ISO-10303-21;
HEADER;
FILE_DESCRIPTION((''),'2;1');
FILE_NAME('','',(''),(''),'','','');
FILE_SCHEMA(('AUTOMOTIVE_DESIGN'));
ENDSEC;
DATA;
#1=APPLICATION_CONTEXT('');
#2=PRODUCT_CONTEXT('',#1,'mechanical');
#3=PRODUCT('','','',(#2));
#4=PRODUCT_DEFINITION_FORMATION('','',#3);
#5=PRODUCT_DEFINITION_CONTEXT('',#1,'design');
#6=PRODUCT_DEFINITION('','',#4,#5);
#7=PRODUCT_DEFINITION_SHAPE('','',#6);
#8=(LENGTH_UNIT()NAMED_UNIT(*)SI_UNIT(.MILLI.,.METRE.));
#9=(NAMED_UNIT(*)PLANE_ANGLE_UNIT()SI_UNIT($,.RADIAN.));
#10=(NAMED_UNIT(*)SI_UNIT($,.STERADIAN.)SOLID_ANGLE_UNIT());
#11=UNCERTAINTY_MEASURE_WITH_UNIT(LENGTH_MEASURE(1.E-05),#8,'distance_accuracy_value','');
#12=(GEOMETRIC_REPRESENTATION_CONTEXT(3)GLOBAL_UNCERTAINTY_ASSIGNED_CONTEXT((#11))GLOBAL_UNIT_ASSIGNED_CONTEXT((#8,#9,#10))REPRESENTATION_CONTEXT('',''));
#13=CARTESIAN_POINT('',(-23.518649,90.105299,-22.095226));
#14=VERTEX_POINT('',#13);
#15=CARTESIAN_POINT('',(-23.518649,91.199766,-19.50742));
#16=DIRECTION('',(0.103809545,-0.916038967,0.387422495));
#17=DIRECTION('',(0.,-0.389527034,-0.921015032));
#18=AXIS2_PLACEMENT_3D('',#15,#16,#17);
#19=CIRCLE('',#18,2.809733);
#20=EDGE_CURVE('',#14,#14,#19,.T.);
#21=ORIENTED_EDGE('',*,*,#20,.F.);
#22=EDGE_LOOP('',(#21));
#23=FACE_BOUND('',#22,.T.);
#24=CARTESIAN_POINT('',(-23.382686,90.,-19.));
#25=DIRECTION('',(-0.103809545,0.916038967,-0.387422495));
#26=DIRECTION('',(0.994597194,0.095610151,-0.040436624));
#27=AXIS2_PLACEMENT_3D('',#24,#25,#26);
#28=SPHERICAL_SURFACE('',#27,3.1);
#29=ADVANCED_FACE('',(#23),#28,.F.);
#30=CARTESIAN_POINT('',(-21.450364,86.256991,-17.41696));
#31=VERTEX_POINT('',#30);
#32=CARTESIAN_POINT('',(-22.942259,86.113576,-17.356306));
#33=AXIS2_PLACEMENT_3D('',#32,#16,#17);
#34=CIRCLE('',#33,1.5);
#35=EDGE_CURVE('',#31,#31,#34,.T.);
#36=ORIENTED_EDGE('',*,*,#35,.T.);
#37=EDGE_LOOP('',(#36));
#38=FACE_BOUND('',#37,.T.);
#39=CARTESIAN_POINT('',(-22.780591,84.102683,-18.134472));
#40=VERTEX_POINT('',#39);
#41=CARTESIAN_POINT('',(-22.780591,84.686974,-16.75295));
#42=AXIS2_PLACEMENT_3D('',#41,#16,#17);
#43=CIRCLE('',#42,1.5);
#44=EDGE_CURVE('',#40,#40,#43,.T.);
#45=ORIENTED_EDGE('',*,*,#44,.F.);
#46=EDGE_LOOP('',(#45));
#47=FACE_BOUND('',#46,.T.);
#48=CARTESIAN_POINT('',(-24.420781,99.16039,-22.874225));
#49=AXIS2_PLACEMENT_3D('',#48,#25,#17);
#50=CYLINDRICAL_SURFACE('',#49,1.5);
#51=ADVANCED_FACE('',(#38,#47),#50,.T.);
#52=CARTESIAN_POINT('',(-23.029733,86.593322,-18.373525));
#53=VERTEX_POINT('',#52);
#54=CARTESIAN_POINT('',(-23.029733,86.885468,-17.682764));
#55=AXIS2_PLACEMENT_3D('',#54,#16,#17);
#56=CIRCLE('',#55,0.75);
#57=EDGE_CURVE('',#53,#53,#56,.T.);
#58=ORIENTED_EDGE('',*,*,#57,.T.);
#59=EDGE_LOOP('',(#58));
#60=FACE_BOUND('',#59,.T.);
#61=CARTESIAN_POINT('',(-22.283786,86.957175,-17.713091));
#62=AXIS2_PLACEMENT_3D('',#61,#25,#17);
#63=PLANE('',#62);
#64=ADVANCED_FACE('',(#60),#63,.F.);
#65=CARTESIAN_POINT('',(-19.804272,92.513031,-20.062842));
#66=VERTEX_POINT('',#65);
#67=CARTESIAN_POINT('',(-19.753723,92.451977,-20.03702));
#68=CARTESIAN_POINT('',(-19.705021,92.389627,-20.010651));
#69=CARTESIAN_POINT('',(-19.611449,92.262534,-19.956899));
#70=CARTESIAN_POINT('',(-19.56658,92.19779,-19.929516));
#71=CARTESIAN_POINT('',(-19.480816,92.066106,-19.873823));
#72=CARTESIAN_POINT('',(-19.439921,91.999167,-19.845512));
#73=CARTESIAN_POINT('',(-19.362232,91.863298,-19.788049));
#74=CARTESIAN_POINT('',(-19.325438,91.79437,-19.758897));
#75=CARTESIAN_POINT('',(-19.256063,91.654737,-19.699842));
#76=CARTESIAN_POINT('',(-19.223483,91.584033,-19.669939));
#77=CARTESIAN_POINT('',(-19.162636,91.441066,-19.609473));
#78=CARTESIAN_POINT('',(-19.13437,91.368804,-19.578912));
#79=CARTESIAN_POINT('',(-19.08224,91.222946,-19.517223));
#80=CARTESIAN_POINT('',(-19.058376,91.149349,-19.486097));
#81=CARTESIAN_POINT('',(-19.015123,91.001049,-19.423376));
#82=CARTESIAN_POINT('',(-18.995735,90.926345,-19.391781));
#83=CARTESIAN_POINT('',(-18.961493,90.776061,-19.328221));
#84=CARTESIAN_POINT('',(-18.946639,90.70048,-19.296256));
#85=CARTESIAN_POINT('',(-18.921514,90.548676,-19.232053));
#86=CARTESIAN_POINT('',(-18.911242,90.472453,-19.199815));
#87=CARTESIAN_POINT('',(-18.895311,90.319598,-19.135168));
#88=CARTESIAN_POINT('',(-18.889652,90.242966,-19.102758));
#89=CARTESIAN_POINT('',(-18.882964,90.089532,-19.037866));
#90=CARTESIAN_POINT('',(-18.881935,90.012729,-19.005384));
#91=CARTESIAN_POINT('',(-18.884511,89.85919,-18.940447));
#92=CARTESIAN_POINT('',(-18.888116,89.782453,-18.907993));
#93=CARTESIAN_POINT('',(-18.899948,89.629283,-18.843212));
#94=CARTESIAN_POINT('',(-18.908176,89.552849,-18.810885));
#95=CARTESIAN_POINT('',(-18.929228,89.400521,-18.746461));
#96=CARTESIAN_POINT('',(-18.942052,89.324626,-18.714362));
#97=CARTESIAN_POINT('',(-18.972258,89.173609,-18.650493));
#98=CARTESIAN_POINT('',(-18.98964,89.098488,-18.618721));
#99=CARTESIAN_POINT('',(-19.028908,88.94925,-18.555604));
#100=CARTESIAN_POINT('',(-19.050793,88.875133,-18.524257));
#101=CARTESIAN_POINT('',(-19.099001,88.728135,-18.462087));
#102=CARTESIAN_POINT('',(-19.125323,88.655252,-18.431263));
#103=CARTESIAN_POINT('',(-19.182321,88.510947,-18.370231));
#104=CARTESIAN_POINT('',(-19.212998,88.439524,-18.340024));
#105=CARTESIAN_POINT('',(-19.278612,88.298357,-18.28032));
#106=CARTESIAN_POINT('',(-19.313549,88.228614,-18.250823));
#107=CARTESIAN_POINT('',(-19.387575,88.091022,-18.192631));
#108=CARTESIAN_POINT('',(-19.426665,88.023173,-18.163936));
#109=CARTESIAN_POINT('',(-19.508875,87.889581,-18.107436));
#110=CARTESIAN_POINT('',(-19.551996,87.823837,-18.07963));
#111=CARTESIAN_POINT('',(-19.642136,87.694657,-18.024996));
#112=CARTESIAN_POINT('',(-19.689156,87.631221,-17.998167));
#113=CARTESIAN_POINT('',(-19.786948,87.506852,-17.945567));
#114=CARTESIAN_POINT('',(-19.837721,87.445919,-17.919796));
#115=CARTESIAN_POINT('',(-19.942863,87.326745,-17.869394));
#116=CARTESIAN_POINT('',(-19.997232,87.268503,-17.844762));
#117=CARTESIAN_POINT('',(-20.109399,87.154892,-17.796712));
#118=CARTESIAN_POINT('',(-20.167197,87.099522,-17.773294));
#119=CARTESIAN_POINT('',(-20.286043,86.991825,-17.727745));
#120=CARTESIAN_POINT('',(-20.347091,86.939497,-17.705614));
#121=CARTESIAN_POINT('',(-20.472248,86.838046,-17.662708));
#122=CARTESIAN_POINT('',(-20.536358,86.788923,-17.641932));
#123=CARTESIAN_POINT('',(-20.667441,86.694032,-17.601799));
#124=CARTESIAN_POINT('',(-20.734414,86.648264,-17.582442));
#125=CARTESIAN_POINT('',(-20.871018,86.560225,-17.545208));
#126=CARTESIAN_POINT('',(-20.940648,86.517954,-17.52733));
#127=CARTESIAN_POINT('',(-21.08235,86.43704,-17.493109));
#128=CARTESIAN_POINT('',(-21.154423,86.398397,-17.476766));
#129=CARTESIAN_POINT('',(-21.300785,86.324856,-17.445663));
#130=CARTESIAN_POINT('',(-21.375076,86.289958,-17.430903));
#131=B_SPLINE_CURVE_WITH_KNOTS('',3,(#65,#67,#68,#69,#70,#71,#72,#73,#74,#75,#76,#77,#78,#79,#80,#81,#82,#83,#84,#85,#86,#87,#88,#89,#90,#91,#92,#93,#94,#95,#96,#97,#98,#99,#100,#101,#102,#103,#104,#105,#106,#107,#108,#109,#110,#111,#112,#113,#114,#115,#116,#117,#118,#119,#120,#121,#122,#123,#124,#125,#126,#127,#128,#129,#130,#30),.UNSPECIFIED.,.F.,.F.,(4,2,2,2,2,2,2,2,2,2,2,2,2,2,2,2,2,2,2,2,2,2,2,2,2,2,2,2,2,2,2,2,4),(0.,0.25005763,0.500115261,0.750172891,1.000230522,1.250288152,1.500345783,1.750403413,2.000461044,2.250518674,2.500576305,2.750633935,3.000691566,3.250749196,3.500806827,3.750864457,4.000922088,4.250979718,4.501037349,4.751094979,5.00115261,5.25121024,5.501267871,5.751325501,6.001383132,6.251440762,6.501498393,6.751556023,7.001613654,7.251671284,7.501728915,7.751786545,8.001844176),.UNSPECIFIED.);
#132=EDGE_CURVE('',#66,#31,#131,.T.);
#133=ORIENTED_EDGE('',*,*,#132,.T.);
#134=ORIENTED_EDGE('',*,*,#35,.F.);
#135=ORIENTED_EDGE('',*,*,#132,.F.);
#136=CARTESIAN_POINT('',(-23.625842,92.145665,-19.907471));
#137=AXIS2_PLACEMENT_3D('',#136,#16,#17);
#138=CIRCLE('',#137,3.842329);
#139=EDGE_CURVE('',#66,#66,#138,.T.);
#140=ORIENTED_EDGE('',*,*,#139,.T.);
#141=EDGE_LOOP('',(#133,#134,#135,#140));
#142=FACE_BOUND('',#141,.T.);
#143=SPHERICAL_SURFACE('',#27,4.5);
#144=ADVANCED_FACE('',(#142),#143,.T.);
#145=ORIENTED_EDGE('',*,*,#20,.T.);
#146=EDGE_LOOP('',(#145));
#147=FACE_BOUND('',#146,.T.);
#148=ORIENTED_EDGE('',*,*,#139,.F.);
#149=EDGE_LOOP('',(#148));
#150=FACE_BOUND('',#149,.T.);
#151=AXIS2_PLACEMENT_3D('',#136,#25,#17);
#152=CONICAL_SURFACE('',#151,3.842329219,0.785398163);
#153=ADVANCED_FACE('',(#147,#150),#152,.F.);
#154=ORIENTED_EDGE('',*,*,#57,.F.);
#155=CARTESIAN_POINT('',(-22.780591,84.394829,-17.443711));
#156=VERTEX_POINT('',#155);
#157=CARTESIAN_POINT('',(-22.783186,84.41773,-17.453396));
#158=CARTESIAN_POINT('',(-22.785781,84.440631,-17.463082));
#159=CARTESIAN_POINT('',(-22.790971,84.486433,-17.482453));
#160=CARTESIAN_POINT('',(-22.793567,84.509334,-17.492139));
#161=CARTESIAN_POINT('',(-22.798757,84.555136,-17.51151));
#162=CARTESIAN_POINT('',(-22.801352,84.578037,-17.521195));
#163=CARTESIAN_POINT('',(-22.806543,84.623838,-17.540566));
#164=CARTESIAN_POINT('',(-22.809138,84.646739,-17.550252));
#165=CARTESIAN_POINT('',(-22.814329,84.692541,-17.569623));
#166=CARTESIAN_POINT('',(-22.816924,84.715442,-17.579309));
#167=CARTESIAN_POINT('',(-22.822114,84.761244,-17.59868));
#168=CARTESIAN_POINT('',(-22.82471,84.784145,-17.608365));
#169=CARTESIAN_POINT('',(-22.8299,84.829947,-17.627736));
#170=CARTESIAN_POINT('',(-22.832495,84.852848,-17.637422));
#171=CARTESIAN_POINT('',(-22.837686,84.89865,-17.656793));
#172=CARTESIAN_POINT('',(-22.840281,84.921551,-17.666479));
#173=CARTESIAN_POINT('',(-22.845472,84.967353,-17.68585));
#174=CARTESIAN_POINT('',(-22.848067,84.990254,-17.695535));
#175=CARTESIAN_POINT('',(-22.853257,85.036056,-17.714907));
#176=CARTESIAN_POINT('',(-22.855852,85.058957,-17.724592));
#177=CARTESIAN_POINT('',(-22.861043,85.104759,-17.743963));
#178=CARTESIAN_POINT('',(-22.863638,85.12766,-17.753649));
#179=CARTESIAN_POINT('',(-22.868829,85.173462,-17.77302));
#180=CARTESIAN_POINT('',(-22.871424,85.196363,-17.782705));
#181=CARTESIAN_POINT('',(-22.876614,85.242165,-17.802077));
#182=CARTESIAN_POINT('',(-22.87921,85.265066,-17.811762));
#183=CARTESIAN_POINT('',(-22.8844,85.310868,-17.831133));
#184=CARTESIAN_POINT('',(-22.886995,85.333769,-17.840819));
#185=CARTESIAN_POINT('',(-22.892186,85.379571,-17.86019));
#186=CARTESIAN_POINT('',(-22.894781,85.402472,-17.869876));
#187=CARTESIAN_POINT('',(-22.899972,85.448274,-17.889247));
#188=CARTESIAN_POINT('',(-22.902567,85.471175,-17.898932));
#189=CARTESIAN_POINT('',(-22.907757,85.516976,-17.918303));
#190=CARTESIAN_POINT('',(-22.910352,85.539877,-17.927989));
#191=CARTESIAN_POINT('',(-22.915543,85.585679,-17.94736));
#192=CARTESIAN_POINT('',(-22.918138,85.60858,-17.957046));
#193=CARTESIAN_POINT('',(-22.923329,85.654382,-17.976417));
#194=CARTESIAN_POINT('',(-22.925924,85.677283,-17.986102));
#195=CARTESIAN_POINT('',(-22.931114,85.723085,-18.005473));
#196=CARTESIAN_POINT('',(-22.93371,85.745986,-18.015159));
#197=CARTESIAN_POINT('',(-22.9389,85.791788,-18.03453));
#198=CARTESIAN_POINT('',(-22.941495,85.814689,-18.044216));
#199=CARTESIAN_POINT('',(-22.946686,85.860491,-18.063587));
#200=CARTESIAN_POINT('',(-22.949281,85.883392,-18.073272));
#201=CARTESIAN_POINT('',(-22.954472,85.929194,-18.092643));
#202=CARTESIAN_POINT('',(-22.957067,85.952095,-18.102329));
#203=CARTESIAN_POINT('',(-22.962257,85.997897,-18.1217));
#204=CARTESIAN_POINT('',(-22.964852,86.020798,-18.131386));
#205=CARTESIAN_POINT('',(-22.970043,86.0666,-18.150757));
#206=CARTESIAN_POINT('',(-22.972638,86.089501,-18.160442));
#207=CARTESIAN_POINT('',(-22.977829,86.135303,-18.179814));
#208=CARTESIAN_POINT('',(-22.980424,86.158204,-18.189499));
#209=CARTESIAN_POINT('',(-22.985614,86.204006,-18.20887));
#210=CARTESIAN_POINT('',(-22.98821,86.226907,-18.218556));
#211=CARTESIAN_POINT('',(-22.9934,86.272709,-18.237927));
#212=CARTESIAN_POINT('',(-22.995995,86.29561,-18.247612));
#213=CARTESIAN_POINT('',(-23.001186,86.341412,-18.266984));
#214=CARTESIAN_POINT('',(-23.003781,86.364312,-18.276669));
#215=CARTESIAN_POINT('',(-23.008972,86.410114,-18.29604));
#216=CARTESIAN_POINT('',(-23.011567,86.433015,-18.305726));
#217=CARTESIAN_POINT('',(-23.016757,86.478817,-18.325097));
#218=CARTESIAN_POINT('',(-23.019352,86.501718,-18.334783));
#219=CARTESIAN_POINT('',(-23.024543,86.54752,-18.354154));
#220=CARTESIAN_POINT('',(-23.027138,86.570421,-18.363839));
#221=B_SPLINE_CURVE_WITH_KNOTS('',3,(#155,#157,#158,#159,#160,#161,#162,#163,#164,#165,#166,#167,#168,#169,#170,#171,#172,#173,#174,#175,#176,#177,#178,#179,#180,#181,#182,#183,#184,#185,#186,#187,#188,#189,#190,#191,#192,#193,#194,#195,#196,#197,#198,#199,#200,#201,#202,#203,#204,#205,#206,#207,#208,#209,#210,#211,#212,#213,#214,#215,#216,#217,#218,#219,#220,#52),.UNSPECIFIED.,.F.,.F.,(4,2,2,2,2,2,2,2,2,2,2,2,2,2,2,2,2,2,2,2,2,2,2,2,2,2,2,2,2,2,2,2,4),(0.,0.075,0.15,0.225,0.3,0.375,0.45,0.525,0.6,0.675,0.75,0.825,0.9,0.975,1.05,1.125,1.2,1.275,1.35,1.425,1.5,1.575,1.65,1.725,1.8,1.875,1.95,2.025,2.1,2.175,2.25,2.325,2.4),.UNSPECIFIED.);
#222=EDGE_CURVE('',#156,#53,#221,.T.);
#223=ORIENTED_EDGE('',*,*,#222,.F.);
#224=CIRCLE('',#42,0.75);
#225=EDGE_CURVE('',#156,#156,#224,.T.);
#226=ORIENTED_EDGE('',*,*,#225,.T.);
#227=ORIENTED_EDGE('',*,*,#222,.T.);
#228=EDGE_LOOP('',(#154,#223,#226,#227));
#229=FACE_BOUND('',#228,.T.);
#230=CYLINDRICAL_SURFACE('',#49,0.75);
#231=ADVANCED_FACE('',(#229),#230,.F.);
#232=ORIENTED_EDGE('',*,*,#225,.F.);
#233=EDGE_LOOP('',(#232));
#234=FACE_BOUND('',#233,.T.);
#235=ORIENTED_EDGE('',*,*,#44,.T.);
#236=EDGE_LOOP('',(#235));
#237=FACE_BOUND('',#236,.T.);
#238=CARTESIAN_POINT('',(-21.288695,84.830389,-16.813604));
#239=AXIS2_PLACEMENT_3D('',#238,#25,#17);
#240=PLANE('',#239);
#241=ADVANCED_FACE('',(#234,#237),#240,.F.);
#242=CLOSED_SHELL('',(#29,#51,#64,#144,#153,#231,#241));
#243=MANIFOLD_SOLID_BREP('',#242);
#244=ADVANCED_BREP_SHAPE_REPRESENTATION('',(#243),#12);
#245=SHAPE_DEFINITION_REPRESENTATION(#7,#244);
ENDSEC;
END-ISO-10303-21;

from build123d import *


with BuildPart() as part:
    # Ball socket turned profile → Turned socket body (revolve)
    with BuildSketch(Plane(origin=(0, -6.839373114, 16.171317762), x_dir=(-1, 0, 0), z_dir=(0, 0.3895270342980127, -0.9210150322068553)), mode=Mode.PRIVATE) as turned_socket_body_sk:
        with BuildLine():
            Line((21.450363513, -86.228362345), (21.288694752, -84.679417142))
            Line((21.288694752, -84.679417142), (22.034642647, -84.601559983))
            Line((22.034642647, -84.601559983), (22.283785554, -86.988593249))
            Line((22.283785554, -86.988593249), (23.02973345, -86.91073609))
            Line((23.02973345, -86.91073609), (23.060876313, -87.209115249))
            ThreePointArc((23.060876313, -87.209115249), (20.609484536, -88.906958963), (20.724096138, -91.886700412))
            Line((20.724096138, -91.886700412), (19.804272172, -93.020911066))
            ThreePointArc((19.804272172, -93.020911066), (19.009273884, -89.232523486), (21.450363513, -86.228362345))
        make_face()
    revolve(turned_socket_body_sk.sketch.rotate(Axis((-24.42078135, -99.160389667, -22.874224953), (0.10380954475082833, 0.9160389667138149, 0.3874224953206928)), 90), axis=Axis((-24.42078135, -99.160389667, -22.874224953), (0.10380954475082833, 0.9160389667138149, 0.3874224953206928)))


with BuildPart() as body_2:
    # Mirror1: mirrored copy
    add(part.part.mirror(Plane(origin=(0, 0, 0), x_dir=(0, 0, 1), z_dir=(0, -1, 0))))


solid = body_2.part
